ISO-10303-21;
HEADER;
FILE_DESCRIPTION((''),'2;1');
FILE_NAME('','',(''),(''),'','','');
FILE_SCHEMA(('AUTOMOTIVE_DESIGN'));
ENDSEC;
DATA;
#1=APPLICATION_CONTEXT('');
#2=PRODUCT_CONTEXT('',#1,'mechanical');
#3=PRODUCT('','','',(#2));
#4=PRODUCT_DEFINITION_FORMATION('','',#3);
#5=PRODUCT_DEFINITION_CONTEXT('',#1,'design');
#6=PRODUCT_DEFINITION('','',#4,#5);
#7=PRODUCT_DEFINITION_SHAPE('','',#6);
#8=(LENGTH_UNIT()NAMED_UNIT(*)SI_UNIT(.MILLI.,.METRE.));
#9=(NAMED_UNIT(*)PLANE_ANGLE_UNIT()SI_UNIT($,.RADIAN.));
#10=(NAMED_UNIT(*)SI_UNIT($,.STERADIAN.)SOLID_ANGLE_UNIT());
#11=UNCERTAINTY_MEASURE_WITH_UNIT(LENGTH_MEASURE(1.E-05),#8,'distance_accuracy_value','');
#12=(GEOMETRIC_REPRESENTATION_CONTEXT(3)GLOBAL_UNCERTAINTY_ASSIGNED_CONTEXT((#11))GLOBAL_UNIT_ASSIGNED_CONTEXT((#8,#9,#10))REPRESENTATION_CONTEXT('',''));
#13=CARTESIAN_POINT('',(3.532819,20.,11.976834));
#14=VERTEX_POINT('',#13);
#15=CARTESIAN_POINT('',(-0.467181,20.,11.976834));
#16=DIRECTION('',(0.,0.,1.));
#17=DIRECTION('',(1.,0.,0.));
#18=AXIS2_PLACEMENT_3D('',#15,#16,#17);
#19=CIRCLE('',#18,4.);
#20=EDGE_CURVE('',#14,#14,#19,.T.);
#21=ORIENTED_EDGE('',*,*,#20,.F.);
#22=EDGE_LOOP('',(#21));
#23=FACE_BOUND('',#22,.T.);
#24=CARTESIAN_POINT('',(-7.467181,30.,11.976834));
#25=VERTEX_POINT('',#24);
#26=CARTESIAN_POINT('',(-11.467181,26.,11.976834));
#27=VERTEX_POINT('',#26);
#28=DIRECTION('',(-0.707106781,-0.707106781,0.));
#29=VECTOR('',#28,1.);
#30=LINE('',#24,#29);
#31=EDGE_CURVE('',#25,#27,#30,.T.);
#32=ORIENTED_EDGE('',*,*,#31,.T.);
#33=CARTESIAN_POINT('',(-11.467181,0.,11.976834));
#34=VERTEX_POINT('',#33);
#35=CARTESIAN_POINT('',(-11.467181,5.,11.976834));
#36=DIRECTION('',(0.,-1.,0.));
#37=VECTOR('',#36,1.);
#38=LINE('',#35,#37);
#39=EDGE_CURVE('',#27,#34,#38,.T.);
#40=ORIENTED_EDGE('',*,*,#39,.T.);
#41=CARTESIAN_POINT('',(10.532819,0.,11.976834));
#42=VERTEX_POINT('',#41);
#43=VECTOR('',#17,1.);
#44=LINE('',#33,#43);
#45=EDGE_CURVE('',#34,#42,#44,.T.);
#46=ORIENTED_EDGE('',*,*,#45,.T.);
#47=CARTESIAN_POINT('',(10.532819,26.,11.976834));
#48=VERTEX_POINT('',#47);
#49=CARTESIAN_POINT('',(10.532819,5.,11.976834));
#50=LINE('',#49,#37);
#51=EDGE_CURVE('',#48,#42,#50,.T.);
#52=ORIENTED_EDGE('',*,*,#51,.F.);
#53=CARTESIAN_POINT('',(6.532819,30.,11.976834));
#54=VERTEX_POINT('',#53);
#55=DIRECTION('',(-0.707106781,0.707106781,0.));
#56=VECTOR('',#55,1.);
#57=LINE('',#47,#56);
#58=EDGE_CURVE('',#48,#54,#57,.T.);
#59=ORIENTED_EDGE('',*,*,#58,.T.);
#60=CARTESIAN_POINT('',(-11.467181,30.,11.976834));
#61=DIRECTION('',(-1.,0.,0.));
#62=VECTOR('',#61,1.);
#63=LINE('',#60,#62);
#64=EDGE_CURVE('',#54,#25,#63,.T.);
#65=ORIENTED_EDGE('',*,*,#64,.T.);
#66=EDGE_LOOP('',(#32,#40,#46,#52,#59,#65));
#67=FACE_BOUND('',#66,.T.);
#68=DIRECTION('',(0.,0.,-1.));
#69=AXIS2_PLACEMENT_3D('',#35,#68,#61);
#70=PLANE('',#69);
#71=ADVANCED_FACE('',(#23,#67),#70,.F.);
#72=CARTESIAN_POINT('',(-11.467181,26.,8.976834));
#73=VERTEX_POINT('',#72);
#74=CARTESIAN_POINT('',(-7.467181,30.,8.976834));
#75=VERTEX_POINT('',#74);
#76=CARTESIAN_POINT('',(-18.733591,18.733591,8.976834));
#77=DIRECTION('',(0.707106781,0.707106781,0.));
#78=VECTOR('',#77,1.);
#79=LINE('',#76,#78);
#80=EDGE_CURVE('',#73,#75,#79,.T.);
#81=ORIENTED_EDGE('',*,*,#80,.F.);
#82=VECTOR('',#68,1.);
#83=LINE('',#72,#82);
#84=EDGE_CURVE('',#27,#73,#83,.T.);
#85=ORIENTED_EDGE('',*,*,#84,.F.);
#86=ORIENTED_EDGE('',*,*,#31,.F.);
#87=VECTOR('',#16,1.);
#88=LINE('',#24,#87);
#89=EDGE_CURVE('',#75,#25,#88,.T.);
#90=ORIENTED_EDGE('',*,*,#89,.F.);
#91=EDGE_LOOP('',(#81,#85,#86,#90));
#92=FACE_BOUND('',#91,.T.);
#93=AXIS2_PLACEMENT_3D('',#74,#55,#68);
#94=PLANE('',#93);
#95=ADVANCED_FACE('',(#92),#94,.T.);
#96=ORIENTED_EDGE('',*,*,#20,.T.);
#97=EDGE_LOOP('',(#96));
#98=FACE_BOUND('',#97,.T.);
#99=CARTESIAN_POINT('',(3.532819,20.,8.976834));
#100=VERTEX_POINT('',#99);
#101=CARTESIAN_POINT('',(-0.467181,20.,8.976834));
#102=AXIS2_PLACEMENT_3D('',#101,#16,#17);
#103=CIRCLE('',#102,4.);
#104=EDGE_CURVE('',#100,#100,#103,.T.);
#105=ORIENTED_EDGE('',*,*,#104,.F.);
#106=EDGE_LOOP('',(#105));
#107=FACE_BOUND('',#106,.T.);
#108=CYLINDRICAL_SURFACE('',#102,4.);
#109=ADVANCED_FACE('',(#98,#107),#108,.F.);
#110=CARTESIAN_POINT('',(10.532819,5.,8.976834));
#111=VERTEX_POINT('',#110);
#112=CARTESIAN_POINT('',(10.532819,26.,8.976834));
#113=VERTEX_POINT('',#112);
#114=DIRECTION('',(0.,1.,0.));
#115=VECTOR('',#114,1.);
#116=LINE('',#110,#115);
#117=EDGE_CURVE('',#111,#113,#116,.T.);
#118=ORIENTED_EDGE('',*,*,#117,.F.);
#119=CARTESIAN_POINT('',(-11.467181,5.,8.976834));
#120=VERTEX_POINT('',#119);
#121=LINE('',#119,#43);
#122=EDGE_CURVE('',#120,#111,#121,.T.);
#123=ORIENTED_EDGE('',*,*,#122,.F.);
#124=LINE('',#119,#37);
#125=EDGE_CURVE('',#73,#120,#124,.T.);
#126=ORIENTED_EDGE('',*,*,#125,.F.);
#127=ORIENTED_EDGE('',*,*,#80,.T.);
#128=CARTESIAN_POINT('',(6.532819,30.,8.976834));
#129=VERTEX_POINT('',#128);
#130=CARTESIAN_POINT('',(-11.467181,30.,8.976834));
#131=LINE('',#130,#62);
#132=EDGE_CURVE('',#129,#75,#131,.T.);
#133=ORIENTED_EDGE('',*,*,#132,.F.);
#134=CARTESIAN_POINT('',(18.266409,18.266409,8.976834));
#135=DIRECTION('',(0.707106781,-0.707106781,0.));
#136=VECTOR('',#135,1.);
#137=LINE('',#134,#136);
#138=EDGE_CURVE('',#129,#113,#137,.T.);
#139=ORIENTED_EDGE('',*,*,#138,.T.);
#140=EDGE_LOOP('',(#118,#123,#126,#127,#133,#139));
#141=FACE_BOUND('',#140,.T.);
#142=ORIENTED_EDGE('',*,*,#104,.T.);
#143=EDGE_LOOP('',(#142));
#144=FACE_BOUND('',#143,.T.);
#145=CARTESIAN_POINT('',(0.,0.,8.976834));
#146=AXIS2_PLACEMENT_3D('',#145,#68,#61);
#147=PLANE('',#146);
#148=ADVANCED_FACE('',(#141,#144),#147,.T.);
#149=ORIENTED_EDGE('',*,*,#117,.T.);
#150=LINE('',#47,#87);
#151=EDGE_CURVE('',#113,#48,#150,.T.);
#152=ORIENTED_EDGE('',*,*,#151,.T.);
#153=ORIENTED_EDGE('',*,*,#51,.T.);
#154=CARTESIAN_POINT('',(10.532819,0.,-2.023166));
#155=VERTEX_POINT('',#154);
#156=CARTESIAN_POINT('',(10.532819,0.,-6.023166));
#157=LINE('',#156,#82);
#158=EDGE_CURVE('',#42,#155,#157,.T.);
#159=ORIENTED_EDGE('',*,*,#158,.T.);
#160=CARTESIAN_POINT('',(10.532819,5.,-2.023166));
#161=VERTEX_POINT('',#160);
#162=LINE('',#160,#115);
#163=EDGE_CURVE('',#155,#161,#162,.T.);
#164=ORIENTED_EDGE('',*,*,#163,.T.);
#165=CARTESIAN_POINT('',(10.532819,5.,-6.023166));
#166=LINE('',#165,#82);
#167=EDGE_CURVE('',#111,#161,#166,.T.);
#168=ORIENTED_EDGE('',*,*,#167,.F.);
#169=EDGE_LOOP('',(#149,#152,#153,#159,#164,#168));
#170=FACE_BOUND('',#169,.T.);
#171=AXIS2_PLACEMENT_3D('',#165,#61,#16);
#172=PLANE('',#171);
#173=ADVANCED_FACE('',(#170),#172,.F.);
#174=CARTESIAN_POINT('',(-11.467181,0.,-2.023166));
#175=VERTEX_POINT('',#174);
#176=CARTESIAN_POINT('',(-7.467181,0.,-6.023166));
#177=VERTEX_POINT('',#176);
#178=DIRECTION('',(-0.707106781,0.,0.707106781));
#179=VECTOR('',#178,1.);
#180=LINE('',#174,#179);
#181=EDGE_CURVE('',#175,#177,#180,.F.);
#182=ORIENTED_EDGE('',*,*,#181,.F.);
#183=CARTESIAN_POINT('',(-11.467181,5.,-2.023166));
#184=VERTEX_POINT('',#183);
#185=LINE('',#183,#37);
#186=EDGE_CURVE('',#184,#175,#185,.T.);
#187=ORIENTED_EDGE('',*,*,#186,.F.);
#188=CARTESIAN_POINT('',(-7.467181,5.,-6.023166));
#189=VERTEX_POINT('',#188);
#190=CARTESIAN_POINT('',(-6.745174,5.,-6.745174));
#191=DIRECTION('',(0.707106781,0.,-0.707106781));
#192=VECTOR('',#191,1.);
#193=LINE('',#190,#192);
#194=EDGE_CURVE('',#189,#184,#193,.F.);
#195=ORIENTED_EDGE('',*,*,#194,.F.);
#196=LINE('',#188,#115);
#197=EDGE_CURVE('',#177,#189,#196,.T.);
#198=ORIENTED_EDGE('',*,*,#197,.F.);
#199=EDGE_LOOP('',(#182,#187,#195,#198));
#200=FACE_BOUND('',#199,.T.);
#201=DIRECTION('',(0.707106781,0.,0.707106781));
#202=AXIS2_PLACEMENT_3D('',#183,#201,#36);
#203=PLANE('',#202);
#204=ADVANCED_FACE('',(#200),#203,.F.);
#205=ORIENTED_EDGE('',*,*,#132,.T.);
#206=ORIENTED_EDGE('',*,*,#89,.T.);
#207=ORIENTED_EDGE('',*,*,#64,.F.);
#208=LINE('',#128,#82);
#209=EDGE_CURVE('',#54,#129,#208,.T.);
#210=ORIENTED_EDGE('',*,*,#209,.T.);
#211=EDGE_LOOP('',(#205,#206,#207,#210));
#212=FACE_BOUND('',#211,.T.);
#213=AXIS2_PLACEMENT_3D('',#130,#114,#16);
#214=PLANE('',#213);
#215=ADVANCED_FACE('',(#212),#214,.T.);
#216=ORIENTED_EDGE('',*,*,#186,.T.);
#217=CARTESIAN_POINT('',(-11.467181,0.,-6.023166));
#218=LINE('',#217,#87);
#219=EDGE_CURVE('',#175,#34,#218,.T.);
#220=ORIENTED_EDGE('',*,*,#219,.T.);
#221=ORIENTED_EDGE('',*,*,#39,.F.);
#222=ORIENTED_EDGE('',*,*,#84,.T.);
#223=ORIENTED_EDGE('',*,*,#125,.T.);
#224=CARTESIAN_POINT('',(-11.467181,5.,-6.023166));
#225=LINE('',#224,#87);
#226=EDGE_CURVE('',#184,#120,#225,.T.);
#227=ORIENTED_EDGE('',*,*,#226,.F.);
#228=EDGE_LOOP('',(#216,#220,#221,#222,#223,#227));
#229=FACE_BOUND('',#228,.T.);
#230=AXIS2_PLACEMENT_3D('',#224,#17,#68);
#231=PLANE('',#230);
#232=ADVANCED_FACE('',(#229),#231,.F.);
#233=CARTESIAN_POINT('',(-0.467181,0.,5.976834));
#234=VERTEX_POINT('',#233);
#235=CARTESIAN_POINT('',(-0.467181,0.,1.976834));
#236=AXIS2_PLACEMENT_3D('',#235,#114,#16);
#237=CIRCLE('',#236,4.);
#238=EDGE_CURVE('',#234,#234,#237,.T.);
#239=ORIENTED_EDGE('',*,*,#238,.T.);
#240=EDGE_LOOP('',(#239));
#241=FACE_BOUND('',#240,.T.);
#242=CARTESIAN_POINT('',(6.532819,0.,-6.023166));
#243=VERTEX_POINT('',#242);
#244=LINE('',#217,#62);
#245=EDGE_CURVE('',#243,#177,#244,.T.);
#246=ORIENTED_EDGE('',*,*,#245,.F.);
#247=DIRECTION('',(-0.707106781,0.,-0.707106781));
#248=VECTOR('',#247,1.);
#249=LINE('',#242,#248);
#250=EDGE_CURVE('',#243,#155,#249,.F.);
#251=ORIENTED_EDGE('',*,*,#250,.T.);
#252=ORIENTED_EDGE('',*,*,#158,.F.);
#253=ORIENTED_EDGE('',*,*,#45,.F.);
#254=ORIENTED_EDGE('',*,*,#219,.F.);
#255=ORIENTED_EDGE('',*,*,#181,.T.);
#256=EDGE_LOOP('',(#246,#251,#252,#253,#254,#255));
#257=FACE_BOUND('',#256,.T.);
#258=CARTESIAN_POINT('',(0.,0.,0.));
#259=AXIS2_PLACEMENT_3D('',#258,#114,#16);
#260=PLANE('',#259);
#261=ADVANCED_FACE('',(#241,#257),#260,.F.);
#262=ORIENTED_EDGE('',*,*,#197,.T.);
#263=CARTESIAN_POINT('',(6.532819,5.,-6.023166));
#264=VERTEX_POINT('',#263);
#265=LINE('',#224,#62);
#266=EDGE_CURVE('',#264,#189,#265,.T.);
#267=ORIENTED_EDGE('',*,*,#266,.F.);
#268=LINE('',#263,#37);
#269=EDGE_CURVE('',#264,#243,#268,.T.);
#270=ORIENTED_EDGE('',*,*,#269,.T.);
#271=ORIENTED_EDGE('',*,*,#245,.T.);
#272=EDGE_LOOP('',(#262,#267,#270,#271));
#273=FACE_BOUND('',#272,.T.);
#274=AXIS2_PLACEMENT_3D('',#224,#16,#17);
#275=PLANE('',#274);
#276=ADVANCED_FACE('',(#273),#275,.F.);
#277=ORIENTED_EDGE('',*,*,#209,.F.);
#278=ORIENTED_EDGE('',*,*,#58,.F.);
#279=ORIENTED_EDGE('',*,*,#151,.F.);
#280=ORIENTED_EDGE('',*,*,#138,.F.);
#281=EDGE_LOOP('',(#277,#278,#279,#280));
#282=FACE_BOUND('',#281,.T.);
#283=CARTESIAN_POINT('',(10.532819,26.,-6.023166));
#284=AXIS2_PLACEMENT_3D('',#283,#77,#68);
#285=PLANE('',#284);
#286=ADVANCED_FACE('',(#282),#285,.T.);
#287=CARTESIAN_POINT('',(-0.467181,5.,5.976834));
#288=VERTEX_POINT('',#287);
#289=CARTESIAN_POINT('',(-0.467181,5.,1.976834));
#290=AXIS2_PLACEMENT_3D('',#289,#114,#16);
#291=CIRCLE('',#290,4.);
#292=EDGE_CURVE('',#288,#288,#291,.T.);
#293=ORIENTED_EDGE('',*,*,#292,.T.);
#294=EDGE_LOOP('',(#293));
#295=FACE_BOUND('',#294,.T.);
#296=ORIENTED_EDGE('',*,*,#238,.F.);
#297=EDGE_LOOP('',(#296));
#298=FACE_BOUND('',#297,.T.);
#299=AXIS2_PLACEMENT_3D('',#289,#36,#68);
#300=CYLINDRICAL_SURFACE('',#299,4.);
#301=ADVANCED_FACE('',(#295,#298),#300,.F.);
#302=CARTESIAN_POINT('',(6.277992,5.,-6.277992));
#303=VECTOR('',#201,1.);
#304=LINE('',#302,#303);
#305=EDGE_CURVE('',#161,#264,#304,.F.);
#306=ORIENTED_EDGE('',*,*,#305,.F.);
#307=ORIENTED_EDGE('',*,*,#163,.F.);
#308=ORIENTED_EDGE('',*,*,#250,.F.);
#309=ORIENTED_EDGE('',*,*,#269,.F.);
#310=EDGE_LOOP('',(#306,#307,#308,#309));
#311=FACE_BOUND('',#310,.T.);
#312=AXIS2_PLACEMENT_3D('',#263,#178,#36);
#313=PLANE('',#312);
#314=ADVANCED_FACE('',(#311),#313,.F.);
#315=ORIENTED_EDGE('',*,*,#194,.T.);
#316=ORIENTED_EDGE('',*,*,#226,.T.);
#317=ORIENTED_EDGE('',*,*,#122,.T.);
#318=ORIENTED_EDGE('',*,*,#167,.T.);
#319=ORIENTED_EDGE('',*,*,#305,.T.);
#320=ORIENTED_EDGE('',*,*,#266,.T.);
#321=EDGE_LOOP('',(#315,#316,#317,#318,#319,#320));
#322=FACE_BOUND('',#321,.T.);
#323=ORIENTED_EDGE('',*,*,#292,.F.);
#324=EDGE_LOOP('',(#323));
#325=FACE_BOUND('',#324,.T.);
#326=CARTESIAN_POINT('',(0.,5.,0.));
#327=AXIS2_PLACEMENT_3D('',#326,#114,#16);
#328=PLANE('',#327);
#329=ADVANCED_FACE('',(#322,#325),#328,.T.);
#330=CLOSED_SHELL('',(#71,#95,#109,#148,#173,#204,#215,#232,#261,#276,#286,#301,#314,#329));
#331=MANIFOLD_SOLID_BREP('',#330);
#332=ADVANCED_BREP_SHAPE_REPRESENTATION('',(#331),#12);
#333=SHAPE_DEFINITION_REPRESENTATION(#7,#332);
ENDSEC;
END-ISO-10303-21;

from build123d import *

# Parameters (mm, degrees)
SKETCH_1_W      = 22
SKETCH_1_H      = 18
SKETCH_1_R      = 4
EXTRUDE_1_DEPTH = 5
SKETCH_2_W      = 22
SKETCH_2_H      = 25
SKETCH_2_R      = 4
EXTRUDE_2_DEPTH = 3
CHAMFER_1_SIZE  = 4


with BuildPart() as part:
    # 草图1 → 凸台-拉伸1 (new body)
    with BuildSketch(Plane(origin=(0, 0, 0), x_dir=(1, 0, 0), z_dir=(0, 1, 0))):
        with Locations((-0.467181467, -2.976833977)):
            Rectangle(SKETCH_1_W, SKETCH_1_H)
        with Locations(Location((-0.467181467, -1.976833977, 0), (0, 0, 270))):
            Circle(SKETCH_1_R, mode=Mode.SUBTRACT)
    extrude(amount=EXTRUDE_1_DEPTH)

    # 草图2 → 凸台-拉伸2 (add)
    with BuildSketch(Plane.XY.offset(11.976833977)):
        with Locations((-0.467181467, 17.5)):
            Rectangle(SKETCH_2_W, SKETCH_2_H)
        with Locations((-0.467181467, 20)):
            Circle(SKETCH_2_R, mode=Mode.SUBTRACT)
    extrude(amount=-EXTRUDE_2_DEPTH)

    # 倒角1
    chamfer_1_edges = [part.edges().sort_by_distance(p)[0] for p in [
        (-11.467181467, 30, 10.476833977),
        (10.532818533, 30, 10.476833977),
        (-11.467181467, 2.5, -6.023166023),
        (10.532818533, 2.5, -6.023166023),
    ]]
    chamfer(chamfer_1_edges, length=CHAMFER_1_SIZE)


solid = part.part
